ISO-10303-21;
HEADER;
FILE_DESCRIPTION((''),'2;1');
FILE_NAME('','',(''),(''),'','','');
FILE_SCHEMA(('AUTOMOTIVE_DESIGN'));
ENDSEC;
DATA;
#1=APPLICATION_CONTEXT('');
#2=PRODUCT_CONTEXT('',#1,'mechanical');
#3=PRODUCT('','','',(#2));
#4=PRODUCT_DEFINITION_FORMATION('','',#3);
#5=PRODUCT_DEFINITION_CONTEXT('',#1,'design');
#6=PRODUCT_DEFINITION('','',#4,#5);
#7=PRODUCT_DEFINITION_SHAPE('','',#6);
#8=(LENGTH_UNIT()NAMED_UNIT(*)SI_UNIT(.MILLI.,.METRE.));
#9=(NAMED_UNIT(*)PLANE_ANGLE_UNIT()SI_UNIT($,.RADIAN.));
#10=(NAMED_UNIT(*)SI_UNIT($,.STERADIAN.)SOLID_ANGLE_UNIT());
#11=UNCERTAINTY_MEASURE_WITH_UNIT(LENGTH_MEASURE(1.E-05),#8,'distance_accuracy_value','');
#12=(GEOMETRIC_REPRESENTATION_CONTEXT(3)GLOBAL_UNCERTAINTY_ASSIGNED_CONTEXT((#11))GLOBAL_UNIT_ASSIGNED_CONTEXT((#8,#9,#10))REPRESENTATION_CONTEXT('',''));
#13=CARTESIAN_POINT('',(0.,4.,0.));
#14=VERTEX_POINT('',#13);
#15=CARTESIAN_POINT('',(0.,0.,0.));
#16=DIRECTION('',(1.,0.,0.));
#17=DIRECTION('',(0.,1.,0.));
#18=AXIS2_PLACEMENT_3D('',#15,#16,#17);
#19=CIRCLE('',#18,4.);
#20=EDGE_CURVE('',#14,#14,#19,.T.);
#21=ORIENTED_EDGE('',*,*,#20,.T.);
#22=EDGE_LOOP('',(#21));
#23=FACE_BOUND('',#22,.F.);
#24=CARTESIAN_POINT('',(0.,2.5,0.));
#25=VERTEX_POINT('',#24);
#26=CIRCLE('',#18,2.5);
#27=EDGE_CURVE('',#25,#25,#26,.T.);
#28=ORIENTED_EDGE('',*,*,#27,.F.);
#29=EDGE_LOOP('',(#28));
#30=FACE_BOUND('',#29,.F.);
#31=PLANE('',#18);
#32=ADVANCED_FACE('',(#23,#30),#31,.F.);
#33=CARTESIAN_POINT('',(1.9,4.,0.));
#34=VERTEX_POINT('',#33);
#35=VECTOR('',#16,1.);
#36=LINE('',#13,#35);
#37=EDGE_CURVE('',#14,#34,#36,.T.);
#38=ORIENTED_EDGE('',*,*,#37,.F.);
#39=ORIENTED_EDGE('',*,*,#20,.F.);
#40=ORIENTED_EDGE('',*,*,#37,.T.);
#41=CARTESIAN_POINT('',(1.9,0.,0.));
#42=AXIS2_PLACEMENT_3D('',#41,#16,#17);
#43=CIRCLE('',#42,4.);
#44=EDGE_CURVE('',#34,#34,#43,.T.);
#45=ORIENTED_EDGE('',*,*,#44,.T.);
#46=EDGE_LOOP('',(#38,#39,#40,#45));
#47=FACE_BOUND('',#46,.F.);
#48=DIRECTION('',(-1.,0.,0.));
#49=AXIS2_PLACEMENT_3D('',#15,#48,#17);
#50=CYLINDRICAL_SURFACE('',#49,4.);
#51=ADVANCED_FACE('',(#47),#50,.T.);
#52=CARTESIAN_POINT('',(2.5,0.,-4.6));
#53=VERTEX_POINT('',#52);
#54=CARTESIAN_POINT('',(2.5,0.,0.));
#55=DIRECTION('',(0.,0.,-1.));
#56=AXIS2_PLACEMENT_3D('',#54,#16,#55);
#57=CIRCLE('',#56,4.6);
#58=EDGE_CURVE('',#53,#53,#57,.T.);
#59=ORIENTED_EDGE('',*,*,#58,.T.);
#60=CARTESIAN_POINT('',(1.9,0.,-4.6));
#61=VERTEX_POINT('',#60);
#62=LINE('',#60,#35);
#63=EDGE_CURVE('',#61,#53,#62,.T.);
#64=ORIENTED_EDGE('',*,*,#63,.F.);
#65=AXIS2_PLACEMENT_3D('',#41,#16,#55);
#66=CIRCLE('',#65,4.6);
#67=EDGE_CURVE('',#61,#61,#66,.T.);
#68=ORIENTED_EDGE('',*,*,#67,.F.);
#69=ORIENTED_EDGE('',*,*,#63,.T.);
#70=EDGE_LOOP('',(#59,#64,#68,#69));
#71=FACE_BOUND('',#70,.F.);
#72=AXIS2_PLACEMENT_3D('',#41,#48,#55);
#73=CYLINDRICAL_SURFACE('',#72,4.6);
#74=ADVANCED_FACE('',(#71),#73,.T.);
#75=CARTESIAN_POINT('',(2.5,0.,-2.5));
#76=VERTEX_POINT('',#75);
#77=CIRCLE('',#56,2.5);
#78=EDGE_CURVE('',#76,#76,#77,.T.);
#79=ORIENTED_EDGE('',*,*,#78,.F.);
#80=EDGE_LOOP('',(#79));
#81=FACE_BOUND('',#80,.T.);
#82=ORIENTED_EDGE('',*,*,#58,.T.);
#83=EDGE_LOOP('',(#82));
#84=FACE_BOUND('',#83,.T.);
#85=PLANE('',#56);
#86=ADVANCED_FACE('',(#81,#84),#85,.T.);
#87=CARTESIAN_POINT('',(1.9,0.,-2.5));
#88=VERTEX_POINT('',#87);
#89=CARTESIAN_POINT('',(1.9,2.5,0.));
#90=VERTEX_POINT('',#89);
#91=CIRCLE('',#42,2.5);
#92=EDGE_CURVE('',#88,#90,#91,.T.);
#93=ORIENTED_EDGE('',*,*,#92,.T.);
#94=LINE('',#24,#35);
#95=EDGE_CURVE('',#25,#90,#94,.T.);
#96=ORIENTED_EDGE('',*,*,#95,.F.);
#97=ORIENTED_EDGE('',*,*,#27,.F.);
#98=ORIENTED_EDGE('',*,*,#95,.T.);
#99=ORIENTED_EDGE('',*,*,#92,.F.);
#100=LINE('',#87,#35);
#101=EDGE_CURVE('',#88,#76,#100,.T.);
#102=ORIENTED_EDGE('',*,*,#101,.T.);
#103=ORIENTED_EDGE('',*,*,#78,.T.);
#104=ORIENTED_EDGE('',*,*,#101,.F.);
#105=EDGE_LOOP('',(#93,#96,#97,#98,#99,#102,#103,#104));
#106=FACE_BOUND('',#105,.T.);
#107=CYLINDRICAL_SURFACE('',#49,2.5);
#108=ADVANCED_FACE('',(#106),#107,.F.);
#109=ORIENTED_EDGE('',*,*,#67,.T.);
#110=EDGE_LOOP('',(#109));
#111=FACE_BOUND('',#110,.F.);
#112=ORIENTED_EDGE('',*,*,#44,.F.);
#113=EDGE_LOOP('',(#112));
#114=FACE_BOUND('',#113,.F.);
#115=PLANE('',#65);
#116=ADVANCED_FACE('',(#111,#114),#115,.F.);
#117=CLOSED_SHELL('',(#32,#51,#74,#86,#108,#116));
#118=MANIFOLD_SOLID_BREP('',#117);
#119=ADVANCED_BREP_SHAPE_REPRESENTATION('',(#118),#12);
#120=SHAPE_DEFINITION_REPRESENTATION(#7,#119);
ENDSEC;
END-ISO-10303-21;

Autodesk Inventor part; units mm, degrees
ref_plane "YZ Plane" through (0, 0, 0) normal (1, 0, 0) x (0, 1, 0)
ref_plane "XZ Plane" through (0, 0, 0) normal (0, 1, 0) x (-1, 0, 0)
ref_plane "XY Plane" through (0, 0, 0) normal (0, 0, 1) x (1, 0, 0)
sketch "スケッチ1" plane through (0, 0, 0) normal (1, 0, 0) x (0, 1, 0)
  circle A0 centre (0, 0) radius 4
  circle A1 centre (0, 0) radius 2.5
  dimension "d0" = 8
  dimension "d1" = 5
extrude "押し出し1" add sketch "スケッチ1" along normal blind 1.9
sketch "スケッチ2" plane through (1.9, 0, 0) normal (1, 0, 0) x (0, 0, -1)
  circle A0 centre (0, 0) radius 4.6
  circle A1 centre (0, 0) radius 2.5
  dimension "d4" = 9.2
  dimension "d5" = 5
extrude "押し出し2" add sketch "スケッチ2" along normal blind 0.6
properties part number "5-8" material "アルミニウム 6061"
